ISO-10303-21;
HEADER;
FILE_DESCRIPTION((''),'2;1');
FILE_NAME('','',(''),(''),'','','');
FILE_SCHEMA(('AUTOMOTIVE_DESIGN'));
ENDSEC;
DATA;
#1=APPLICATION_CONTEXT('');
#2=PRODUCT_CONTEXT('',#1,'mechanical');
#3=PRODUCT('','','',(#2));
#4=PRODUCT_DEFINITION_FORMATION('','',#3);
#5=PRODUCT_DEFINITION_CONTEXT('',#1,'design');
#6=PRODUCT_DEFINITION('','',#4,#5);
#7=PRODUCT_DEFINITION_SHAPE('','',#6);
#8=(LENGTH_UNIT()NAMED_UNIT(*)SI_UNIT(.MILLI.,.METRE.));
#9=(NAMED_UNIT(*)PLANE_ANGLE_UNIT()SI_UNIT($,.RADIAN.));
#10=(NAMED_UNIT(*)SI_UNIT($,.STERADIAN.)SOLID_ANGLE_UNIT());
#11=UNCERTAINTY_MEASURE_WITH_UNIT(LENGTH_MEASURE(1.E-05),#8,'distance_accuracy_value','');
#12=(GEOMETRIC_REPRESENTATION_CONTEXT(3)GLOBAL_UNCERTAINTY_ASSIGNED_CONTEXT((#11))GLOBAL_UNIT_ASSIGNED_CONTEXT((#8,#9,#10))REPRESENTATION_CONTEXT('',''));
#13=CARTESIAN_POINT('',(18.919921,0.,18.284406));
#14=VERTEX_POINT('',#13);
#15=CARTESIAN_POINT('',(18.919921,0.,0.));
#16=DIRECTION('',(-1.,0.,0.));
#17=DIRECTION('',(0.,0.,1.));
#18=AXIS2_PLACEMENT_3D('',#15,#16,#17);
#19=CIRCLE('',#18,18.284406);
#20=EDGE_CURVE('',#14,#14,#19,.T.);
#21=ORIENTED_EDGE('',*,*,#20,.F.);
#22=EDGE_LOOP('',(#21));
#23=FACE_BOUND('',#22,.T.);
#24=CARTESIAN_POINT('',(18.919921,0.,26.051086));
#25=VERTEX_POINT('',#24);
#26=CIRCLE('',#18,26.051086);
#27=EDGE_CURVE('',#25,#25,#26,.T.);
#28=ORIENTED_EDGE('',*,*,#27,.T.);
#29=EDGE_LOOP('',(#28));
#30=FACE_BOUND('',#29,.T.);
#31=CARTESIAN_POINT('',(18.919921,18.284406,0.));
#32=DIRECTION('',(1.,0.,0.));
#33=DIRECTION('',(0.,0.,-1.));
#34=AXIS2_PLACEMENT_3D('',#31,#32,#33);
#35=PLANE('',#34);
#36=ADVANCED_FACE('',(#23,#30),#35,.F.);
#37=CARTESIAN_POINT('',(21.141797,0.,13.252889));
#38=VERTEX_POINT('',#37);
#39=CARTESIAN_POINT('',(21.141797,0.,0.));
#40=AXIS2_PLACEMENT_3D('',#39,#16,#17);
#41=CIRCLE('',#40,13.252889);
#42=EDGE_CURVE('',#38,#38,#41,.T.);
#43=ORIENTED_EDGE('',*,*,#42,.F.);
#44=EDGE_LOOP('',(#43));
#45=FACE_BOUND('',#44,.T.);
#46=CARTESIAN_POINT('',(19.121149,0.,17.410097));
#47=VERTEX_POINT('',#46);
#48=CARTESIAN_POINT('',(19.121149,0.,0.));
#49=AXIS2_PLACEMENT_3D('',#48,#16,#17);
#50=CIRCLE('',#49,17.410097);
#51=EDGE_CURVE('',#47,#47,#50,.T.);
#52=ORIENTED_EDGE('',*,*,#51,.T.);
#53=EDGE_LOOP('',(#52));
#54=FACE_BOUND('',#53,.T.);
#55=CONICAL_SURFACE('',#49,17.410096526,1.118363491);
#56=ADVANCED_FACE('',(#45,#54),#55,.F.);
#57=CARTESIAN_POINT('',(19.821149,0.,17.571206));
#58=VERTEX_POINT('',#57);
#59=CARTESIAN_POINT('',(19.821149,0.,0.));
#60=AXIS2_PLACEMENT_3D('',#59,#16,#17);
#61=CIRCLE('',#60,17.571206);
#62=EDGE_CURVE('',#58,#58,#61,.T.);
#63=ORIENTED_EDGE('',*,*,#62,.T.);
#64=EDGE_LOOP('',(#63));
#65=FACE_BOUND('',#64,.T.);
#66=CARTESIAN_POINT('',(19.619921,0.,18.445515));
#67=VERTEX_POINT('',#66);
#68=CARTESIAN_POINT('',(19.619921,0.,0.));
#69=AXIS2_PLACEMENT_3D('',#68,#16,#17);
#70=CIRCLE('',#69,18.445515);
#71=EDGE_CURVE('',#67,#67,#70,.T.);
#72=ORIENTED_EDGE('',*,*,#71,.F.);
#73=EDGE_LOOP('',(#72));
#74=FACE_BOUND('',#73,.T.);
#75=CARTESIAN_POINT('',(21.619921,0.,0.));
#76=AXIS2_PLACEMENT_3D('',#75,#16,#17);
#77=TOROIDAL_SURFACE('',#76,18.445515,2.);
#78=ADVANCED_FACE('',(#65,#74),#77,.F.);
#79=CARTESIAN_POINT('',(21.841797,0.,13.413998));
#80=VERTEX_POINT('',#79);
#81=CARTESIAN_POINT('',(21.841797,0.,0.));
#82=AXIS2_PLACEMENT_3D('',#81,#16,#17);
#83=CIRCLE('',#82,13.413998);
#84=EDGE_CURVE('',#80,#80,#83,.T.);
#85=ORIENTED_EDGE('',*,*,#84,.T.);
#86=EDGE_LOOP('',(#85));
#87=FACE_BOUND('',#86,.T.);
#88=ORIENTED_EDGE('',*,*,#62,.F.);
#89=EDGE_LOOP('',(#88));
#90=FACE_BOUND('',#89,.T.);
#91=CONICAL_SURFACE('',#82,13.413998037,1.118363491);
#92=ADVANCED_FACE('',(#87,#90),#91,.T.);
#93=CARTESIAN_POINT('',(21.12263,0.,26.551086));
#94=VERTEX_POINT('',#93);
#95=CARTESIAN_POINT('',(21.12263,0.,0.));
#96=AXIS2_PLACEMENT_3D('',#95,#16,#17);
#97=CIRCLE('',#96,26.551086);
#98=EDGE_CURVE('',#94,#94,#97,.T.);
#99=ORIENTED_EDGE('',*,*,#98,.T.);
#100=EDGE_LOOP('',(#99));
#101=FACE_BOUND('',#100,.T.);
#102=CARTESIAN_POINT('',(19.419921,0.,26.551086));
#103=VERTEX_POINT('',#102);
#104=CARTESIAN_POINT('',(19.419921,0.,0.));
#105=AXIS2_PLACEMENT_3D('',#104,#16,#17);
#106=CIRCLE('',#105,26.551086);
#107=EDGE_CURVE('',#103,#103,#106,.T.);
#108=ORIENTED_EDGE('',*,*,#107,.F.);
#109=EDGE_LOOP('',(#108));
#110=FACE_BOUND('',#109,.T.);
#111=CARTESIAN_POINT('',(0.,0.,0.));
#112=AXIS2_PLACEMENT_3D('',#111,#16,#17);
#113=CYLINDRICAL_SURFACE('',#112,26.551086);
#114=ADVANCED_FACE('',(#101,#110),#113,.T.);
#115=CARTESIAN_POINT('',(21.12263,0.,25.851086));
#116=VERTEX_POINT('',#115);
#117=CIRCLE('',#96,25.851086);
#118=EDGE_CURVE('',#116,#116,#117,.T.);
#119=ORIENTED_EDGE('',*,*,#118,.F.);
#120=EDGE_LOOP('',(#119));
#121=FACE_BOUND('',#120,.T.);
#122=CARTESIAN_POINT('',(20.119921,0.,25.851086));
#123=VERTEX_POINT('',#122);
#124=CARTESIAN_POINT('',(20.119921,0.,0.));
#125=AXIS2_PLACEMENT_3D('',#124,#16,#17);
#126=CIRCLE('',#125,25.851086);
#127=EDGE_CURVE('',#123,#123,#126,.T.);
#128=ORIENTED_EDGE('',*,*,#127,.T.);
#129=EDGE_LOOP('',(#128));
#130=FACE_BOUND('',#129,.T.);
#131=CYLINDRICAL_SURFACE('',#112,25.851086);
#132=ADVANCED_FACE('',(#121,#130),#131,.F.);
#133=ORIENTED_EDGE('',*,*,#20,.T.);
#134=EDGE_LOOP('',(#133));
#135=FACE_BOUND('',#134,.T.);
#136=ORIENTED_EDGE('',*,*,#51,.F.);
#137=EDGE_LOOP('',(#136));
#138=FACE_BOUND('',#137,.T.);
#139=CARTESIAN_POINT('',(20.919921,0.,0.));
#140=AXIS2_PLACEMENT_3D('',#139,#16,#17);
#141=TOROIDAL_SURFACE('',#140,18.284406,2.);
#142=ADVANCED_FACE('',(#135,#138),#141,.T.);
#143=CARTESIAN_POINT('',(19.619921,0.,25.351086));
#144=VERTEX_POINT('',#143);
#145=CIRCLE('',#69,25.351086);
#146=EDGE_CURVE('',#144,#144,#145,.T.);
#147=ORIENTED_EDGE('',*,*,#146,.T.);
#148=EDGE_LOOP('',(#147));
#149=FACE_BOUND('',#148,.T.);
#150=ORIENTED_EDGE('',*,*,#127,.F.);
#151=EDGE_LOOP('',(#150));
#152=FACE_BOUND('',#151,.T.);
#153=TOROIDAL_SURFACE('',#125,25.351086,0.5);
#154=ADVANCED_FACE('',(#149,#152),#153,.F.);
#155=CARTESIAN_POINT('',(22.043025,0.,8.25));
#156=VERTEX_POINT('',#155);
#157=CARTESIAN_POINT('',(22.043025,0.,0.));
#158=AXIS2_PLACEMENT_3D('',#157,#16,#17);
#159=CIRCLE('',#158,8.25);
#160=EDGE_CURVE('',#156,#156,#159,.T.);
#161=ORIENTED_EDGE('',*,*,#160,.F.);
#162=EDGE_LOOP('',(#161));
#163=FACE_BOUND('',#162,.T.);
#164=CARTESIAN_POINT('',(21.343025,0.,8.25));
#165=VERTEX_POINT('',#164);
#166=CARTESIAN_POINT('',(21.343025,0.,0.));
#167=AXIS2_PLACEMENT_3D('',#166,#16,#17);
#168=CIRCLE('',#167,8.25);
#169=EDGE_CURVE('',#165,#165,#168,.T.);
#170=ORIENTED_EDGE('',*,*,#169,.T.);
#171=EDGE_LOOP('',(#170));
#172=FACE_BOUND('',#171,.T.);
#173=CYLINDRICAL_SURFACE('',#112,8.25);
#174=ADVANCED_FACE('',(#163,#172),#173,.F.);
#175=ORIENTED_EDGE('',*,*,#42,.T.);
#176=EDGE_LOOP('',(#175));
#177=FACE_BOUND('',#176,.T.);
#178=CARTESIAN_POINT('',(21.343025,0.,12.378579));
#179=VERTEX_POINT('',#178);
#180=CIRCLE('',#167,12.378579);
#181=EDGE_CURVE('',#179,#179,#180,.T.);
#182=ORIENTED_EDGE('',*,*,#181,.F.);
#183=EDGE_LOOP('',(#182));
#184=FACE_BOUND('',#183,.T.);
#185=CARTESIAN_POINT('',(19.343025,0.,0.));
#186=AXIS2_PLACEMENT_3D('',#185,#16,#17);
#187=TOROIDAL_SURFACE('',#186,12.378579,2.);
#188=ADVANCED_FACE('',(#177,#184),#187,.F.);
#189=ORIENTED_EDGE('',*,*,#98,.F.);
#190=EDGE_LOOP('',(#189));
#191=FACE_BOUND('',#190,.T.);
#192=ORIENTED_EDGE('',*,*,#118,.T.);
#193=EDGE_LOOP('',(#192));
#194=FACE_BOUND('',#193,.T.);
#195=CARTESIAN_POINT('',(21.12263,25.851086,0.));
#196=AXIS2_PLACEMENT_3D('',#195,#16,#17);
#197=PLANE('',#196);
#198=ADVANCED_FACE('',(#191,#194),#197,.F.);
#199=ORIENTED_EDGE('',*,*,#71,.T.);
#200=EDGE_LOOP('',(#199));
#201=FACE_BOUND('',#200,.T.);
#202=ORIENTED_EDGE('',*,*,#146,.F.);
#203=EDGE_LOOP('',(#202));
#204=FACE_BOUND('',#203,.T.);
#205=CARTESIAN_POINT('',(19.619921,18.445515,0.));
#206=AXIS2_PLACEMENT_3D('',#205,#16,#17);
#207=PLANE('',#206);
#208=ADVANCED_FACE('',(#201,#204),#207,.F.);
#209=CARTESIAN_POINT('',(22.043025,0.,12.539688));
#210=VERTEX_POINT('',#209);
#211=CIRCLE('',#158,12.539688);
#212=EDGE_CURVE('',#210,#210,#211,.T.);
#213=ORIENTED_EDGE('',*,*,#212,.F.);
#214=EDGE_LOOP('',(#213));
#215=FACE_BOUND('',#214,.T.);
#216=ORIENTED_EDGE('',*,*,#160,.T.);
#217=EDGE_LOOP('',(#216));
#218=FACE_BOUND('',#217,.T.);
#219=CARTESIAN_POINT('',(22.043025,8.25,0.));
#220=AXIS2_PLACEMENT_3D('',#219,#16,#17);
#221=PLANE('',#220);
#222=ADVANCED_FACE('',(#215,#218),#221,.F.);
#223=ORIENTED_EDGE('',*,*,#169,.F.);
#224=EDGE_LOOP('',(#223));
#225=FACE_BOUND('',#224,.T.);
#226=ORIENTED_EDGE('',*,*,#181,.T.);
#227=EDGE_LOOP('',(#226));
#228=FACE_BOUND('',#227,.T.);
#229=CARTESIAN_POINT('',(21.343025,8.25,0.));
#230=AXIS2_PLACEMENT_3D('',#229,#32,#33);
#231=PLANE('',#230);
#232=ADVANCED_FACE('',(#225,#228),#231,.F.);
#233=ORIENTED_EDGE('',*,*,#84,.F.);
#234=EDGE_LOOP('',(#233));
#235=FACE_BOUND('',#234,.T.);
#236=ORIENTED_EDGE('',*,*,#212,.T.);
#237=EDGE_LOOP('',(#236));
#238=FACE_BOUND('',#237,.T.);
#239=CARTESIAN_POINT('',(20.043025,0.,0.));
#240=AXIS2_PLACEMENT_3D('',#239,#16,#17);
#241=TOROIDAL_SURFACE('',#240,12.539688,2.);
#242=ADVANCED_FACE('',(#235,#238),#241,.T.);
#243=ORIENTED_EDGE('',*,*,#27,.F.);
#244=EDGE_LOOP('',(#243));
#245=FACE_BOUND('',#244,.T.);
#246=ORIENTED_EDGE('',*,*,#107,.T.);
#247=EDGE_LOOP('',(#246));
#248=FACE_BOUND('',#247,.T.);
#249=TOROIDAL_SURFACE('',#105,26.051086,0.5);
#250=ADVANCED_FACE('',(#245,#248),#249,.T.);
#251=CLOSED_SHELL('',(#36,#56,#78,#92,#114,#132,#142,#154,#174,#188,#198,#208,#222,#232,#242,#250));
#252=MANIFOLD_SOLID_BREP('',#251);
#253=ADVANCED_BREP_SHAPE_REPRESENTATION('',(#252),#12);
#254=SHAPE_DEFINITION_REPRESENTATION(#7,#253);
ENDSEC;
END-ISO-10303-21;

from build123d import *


with BuildPart() as part:
    # Croquis1 → Revolución1 (revolve)
    with BuildSketch(Plane.XY, mode=Mode.PRIVATE) as revoluci_n1_sk:
        with BuildLine():
            Line((22.04302495, 8.25), (22.04302495, 12.539688269))
            ThreePointArc((22.04302495, 12.539688269), (21.992068941, 12.988272176), (21.841797428, 13.413998037))
            Line((21.841797428, 13.413998037), (19.821148762, 17.571205632))
            ThreePointArc((19.821148762, 17.571205632), (19.670877249, 17.996931493), (19.61992124, 18.4455154))
            Line((19.61992124, 18.4455154), (19.61992124, 25.35108569))
            ThreePointArc((19.61992124, 25.35108569), (19.76636785, 25.704639081), (20.11992124, 25.85108569))
            Line((20.11992124, 25.85108569), (21.12262967, 25.85108569))
            Line((21.12262967, 25.85108569), (21.12262967, 26.55108569))
            Line((21.12262967, 26.55108569), (19.41992124, 26.55108569))
            ThreePointArc((19.41992124, 26.55108569), (19.06636785, 26.404639081), (18.91992124, 26.05108569))
            Line((18.91992124, 26.05108569), (18.91992124, 18.284406294))
            ThreePointArc((18.91992124, 18.284406294), (18.970877249, 17.835822387), (19.121148762, 17.410096526))
            Line((19.121148762, 17.410096526), (21.141797428, 13.252888931))
            ThreePointArc((21.141797428, 13.252888931), (21.292068941, 12.82716307), (21.34302495, 12.378579163))
            Line((21.34302495, 12.378579163), (21.34302495, 8.25))
            Line((21.34302495, 8.25), (22.04302495, 8.25))
        make_face()
    revolve(revoluci_n1_sk.sketch.rotate(Axis((0, 0, 0), (1, 0, 0)), 90), axis=Axis((0, 0, 0), (1, 0, 0)))


solid = part.part
